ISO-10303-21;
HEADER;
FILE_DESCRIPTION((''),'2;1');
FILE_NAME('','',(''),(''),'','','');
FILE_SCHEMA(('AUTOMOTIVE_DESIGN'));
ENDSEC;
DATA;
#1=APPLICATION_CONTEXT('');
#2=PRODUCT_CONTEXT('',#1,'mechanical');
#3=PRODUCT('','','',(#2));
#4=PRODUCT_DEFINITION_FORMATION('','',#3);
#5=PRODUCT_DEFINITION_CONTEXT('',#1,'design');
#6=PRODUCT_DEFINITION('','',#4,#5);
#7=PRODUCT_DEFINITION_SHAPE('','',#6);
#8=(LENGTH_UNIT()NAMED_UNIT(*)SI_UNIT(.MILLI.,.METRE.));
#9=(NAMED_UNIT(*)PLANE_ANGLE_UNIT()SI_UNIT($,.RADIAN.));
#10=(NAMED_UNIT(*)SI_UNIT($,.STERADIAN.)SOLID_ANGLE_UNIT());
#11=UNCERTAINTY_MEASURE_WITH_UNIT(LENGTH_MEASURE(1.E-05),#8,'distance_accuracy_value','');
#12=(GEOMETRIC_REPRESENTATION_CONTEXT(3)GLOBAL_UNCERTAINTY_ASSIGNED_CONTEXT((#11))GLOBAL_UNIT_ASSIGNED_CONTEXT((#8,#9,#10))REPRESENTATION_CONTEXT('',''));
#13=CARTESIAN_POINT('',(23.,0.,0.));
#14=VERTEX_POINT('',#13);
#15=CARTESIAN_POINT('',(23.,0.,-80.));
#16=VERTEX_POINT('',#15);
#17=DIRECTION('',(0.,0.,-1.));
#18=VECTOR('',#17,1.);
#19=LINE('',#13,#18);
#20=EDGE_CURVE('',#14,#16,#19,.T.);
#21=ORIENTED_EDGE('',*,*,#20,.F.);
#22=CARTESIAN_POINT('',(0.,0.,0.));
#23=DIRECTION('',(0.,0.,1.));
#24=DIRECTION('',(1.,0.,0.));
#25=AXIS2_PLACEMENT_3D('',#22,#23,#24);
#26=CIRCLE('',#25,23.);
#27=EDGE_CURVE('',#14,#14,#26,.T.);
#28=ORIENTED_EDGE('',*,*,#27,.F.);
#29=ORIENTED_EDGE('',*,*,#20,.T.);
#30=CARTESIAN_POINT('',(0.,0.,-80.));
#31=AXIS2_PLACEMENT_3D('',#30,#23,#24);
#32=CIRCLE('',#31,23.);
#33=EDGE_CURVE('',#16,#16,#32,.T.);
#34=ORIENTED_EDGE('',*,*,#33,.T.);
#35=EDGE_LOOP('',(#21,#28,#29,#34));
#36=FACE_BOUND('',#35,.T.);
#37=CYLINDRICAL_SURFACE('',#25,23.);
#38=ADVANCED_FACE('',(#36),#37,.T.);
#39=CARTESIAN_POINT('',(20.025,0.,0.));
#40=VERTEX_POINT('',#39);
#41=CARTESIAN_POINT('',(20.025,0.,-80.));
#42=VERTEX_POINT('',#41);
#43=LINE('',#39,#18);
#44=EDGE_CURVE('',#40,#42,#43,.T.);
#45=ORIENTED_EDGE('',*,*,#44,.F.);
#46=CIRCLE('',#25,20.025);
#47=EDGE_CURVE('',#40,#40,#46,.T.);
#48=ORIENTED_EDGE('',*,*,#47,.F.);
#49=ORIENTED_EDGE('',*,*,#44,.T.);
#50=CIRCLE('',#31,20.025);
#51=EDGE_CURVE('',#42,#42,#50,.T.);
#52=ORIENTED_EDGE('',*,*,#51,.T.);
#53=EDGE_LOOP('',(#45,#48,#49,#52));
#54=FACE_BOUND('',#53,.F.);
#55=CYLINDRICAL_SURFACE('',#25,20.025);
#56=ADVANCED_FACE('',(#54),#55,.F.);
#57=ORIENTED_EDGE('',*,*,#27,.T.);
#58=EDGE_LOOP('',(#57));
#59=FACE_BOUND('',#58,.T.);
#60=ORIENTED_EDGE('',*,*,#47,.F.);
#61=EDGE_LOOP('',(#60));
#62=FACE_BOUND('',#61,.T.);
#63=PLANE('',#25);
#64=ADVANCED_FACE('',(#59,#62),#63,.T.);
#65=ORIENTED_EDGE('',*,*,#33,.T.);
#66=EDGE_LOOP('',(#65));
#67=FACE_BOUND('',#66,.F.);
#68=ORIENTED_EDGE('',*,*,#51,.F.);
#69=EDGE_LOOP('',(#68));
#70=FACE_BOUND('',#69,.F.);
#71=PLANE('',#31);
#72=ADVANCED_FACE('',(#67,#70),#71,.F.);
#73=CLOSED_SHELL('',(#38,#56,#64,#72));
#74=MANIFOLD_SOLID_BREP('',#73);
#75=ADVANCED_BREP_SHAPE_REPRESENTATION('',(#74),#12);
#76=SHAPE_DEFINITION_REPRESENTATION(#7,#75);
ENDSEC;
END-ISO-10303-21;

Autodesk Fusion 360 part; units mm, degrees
sketch "Skizze1" plane through (0, 0, 0) normal (0, 0, 1) x (1, 0, 0)
  circle A0 centre (0, 0) radius 23
  circle A1 centre (0, 0) radius 20.025
extrude "Extrusion1" add sketch "Skizze1" against normal blind 80
equation "leg_outer_diameter = 46 mm" comment "Aussendurchmesser der Röhre"
equation "leg_inner_diameter = 40.05 mm" comment "Innendurchmesser der Röhre"
equation "leg_length = 80 mm" comment "Laenge der Röhre"
equation "d4 = -leg_length"
